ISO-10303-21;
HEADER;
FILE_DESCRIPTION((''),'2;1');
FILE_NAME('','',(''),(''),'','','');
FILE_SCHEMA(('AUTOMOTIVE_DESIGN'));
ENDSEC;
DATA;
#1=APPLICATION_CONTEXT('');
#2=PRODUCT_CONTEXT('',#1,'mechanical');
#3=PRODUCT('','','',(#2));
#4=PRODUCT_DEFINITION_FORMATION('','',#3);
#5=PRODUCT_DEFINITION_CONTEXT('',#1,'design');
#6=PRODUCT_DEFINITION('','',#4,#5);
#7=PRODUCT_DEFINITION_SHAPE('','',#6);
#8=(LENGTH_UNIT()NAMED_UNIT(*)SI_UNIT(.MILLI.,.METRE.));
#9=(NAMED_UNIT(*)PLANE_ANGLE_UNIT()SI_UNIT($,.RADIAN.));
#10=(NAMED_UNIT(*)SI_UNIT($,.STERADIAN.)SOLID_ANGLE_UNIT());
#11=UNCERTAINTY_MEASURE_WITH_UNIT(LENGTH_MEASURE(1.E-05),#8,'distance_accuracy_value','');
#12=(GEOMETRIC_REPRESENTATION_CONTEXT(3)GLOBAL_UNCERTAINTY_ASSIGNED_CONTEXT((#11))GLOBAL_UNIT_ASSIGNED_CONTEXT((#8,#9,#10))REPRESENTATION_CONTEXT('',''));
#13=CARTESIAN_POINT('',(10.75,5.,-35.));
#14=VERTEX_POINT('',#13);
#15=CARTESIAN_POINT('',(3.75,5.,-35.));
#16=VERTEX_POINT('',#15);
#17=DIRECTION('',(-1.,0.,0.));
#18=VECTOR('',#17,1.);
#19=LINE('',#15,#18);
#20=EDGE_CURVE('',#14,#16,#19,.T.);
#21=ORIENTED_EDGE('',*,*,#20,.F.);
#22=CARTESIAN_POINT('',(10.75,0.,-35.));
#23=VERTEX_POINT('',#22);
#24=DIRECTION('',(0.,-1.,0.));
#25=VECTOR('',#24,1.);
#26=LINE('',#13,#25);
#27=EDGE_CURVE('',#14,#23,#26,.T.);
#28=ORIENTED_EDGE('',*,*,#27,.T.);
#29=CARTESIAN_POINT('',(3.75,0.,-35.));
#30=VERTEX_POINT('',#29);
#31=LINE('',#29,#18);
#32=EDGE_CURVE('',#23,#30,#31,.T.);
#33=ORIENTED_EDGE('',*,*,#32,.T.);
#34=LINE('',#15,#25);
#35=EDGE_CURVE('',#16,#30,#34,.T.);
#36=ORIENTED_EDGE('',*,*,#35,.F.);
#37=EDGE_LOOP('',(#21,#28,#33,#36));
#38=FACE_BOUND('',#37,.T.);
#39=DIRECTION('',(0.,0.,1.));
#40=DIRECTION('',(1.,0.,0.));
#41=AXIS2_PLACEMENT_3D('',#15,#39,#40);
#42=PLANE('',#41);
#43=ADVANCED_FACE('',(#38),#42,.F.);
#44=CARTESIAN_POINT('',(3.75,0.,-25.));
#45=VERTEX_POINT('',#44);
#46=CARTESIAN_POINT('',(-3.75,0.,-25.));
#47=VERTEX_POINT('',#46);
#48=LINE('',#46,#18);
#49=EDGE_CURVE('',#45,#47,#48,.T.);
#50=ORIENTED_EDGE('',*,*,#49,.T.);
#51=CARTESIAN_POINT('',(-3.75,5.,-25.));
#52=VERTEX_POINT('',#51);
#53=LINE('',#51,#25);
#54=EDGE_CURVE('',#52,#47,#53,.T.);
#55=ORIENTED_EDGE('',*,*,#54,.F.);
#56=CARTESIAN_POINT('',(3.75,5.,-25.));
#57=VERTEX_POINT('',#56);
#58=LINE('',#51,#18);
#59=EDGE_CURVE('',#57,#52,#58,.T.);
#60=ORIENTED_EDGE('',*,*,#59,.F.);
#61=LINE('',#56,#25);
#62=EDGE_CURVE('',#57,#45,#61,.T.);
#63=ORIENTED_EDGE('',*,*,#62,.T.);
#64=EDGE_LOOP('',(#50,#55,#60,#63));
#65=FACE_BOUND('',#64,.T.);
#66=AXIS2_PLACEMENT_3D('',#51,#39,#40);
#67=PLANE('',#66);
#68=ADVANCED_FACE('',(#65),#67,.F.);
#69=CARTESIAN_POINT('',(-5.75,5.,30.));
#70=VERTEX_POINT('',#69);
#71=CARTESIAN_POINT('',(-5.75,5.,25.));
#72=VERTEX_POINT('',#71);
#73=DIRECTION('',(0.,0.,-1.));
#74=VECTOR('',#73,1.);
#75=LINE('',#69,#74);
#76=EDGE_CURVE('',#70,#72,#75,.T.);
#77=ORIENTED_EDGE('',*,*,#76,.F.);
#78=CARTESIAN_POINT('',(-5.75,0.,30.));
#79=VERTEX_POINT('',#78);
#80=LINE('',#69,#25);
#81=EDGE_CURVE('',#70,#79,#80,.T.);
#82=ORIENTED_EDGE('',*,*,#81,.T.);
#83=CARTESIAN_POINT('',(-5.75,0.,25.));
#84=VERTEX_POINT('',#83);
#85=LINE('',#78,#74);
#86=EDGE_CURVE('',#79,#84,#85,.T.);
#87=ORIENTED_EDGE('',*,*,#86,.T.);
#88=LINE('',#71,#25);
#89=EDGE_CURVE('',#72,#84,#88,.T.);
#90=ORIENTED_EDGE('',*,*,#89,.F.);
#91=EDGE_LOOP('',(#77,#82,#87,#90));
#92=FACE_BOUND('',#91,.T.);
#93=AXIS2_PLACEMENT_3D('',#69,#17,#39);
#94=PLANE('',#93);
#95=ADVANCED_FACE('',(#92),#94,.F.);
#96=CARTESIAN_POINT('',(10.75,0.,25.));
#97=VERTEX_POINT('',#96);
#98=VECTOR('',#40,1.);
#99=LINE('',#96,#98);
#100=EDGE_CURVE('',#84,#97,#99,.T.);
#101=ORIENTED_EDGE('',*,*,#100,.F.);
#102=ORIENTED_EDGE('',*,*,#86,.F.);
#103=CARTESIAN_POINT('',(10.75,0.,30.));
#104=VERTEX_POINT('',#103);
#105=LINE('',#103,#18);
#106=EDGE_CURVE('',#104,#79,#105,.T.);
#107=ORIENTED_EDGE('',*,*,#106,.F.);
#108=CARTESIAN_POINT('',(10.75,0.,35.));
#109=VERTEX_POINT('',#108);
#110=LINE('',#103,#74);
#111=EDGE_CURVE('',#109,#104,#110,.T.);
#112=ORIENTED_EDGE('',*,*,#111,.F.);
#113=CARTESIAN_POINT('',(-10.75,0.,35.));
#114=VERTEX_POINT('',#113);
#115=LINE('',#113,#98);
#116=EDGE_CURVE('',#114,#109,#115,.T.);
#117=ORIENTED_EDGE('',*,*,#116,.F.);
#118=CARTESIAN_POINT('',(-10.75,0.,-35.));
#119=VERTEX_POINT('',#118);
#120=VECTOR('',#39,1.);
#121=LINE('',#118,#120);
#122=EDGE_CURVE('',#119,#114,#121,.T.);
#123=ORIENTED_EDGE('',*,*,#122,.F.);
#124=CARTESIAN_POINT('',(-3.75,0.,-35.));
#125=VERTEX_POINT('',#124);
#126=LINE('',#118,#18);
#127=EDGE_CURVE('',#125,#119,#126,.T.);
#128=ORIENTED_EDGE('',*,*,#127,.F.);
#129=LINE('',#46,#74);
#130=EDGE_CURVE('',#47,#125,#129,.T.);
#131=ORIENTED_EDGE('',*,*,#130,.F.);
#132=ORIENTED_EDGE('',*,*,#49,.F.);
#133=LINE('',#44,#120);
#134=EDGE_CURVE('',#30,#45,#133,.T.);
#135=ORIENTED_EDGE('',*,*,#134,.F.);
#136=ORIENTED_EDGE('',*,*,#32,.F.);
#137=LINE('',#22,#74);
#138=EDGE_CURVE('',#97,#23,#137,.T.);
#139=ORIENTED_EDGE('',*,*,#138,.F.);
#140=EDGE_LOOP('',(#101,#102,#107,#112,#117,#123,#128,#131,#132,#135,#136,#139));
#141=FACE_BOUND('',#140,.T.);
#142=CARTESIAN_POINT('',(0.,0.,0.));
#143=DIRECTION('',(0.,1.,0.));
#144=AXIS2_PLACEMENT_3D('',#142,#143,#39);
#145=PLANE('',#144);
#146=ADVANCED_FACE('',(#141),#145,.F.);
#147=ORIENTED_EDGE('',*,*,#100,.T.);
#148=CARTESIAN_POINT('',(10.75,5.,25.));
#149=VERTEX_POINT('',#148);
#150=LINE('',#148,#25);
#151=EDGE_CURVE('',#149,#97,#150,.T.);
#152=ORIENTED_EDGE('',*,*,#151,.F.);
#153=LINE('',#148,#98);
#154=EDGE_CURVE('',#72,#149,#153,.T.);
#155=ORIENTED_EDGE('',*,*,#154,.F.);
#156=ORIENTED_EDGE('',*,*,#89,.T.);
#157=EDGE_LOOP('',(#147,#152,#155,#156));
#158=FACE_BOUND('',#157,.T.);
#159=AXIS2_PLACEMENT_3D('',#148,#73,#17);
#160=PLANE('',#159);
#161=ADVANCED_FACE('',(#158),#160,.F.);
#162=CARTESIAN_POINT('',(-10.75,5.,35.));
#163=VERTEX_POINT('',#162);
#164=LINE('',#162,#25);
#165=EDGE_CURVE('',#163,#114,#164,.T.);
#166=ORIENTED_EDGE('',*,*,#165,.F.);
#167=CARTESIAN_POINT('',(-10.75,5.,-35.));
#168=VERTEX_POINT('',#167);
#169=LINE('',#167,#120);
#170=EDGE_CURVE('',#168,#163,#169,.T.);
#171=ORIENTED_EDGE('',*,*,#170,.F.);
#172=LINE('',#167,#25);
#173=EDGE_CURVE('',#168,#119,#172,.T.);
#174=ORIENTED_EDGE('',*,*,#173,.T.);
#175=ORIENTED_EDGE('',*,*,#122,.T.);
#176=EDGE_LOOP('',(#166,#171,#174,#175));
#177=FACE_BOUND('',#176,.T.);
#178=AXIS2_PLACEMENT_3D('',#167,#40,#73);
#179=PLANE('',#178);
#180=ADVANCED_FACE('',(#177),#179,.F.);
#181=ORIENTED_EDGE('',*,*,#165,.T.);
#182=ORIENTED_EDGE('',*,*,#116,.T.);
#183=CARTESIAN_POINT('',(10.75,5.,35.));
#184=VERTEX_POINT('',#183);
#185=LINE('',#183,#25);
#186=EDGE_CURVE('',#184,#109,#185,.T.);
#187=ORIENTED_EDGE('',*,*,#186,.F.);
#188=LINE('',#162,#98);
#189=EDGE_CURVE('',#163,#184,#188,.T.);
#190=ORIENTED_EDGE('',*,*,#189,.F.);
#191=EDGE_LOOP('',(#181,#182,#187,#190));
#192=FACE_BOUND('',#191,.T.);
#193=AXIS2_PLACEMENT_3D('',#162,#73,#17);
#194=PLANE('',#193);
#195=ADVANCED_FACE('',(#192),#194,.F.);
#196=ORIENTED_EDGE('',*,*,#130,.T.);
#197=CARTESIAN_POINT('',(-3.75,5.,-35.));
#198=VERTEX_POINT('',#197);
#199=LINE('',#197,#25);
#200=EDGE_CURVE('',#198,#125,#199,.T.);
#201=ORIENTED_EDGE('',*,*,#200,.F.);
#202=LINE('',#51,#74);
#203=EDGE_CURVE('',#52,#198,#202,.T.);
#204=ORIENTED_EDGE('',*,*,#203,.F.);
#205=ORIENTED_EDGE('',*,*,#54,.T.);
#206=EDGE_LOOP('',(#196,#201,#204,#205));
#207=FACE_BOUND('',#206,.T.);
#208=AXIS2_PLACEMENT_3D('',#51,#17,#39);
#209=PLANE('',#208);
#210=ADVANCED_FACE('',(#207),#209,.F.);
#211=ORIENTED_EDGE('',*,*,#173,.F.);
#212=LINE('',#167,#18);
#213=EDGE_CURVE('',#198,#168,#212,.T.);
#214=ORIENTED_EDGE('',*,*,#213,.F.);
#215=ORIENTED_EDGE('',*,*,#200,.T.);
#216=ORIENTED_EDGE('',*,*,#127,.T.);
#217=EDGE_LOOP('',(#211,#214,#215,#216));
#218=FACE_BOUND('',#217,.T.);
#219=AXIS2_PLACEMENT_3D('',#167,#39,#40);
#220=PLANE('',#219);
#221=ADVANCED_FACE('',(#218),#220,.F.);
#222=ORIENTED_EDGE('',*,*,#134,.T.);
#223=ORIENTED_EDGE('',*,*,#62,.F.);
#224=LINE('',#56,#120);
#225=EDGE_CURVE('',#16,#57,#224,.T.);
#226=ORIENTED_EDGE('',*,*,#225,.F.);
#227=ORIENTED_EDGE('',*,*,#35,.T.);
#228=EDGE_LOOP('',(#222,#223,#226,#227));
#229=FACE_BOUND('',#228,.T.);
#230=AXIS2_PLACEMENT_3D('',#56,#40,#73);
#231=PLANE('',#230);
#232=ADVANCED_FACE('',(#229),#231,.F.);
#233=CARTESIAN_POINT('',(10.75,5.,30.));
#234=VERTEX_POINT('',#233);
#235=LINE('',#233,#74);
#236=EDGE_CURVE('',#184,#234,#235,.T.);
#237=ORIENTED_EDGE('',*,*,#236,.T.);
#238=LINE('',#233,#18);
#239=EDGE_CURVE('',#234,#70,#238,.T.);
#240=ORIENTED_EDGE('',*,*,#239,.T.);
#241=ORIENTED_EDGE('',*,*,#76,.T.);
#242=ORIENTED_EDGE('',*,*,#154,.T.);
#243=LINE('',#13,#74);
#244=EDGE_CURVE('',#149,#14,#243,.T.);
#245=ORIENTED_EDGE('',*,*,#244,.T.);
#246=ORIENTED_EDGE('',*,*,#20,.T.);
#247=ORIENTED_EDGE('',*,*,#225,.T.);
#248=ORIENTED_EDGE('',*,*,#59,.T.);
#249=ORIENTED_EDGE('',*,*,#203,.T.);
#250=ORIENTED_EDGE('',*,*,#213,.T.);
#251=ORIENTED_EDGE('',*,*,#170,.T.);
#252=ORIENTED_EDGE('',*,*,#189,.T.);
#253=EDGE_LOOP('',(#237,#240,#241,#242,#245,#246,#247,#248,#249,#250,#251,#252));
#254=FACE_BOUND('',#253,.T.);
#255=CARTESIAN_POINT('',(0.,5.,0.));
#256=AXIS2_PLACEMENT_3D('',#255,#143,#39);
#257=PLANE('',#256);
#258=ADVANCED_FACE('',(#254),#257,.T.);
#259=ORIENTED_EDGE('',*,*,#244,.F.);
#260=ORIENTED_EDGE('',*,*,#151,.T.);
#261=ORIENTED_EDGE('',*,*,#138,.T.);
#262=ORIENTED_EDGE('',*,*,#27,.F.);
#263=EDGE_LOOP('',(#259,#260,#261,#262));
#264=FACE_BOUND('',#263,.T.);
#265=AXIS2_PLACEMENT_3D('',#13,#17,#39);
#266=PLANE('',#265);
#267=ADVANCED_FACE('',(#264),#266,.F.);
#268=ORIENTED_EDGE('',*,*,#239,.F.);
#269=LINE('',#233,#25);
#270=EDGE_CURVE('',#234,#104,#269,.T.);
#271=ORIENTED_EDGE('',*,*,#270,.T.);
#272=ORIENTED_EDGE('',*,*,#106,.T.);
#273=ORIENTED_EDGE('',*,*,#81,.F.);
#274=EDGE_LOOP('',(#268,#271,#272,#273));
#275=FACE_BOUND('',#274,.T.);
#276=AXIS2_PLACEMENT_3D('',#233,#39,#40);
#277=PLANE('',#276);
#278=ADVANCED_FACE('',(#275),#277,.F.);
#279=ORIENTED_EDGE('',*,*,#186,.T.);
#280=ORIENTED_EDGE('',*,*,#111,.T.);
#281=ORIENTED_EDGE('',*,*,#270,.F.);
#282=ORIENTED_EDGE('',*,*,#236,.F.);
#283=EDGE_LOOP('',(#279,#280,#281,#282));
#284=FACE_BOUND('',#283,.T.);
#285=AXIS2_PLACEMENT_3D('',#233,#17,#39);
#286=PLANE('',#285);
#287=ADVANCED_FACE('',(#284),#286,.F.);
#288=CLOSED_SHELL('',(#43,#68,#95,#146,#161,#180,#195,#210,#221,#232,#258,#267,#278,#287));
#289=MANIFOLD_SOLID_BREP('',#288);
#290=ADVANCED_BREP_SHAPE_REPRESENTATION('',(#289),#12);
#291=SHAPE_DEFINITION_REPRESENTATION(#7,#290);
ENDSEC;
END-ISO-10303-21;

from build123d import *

# Parameters (mm, degrees)
BOSS_EXTRUDE1_DEPTH = 5


with BuildPart() as part:
    # Sketch1 → Boss-Extrude1 (new body)
    with BuildSketch(Plane(origin=(0, 0, 0), x_dir=(1, 0, 0), z_dir=(0, 1, 0))):
        Polygon((-10.75, 35), (-3.75, 35), (-3.75, 25), (3.75, 25), (3.75, 35), (10.75, 35), (10.75, -25), (-5.75, -25), (-5.75, -30), (10.75, -30), (10.75, -35), (-10.75, -35), align=None)
    extrude(amount=BOSS_EXTRUDE1_DEPTH)


solid = part.part
